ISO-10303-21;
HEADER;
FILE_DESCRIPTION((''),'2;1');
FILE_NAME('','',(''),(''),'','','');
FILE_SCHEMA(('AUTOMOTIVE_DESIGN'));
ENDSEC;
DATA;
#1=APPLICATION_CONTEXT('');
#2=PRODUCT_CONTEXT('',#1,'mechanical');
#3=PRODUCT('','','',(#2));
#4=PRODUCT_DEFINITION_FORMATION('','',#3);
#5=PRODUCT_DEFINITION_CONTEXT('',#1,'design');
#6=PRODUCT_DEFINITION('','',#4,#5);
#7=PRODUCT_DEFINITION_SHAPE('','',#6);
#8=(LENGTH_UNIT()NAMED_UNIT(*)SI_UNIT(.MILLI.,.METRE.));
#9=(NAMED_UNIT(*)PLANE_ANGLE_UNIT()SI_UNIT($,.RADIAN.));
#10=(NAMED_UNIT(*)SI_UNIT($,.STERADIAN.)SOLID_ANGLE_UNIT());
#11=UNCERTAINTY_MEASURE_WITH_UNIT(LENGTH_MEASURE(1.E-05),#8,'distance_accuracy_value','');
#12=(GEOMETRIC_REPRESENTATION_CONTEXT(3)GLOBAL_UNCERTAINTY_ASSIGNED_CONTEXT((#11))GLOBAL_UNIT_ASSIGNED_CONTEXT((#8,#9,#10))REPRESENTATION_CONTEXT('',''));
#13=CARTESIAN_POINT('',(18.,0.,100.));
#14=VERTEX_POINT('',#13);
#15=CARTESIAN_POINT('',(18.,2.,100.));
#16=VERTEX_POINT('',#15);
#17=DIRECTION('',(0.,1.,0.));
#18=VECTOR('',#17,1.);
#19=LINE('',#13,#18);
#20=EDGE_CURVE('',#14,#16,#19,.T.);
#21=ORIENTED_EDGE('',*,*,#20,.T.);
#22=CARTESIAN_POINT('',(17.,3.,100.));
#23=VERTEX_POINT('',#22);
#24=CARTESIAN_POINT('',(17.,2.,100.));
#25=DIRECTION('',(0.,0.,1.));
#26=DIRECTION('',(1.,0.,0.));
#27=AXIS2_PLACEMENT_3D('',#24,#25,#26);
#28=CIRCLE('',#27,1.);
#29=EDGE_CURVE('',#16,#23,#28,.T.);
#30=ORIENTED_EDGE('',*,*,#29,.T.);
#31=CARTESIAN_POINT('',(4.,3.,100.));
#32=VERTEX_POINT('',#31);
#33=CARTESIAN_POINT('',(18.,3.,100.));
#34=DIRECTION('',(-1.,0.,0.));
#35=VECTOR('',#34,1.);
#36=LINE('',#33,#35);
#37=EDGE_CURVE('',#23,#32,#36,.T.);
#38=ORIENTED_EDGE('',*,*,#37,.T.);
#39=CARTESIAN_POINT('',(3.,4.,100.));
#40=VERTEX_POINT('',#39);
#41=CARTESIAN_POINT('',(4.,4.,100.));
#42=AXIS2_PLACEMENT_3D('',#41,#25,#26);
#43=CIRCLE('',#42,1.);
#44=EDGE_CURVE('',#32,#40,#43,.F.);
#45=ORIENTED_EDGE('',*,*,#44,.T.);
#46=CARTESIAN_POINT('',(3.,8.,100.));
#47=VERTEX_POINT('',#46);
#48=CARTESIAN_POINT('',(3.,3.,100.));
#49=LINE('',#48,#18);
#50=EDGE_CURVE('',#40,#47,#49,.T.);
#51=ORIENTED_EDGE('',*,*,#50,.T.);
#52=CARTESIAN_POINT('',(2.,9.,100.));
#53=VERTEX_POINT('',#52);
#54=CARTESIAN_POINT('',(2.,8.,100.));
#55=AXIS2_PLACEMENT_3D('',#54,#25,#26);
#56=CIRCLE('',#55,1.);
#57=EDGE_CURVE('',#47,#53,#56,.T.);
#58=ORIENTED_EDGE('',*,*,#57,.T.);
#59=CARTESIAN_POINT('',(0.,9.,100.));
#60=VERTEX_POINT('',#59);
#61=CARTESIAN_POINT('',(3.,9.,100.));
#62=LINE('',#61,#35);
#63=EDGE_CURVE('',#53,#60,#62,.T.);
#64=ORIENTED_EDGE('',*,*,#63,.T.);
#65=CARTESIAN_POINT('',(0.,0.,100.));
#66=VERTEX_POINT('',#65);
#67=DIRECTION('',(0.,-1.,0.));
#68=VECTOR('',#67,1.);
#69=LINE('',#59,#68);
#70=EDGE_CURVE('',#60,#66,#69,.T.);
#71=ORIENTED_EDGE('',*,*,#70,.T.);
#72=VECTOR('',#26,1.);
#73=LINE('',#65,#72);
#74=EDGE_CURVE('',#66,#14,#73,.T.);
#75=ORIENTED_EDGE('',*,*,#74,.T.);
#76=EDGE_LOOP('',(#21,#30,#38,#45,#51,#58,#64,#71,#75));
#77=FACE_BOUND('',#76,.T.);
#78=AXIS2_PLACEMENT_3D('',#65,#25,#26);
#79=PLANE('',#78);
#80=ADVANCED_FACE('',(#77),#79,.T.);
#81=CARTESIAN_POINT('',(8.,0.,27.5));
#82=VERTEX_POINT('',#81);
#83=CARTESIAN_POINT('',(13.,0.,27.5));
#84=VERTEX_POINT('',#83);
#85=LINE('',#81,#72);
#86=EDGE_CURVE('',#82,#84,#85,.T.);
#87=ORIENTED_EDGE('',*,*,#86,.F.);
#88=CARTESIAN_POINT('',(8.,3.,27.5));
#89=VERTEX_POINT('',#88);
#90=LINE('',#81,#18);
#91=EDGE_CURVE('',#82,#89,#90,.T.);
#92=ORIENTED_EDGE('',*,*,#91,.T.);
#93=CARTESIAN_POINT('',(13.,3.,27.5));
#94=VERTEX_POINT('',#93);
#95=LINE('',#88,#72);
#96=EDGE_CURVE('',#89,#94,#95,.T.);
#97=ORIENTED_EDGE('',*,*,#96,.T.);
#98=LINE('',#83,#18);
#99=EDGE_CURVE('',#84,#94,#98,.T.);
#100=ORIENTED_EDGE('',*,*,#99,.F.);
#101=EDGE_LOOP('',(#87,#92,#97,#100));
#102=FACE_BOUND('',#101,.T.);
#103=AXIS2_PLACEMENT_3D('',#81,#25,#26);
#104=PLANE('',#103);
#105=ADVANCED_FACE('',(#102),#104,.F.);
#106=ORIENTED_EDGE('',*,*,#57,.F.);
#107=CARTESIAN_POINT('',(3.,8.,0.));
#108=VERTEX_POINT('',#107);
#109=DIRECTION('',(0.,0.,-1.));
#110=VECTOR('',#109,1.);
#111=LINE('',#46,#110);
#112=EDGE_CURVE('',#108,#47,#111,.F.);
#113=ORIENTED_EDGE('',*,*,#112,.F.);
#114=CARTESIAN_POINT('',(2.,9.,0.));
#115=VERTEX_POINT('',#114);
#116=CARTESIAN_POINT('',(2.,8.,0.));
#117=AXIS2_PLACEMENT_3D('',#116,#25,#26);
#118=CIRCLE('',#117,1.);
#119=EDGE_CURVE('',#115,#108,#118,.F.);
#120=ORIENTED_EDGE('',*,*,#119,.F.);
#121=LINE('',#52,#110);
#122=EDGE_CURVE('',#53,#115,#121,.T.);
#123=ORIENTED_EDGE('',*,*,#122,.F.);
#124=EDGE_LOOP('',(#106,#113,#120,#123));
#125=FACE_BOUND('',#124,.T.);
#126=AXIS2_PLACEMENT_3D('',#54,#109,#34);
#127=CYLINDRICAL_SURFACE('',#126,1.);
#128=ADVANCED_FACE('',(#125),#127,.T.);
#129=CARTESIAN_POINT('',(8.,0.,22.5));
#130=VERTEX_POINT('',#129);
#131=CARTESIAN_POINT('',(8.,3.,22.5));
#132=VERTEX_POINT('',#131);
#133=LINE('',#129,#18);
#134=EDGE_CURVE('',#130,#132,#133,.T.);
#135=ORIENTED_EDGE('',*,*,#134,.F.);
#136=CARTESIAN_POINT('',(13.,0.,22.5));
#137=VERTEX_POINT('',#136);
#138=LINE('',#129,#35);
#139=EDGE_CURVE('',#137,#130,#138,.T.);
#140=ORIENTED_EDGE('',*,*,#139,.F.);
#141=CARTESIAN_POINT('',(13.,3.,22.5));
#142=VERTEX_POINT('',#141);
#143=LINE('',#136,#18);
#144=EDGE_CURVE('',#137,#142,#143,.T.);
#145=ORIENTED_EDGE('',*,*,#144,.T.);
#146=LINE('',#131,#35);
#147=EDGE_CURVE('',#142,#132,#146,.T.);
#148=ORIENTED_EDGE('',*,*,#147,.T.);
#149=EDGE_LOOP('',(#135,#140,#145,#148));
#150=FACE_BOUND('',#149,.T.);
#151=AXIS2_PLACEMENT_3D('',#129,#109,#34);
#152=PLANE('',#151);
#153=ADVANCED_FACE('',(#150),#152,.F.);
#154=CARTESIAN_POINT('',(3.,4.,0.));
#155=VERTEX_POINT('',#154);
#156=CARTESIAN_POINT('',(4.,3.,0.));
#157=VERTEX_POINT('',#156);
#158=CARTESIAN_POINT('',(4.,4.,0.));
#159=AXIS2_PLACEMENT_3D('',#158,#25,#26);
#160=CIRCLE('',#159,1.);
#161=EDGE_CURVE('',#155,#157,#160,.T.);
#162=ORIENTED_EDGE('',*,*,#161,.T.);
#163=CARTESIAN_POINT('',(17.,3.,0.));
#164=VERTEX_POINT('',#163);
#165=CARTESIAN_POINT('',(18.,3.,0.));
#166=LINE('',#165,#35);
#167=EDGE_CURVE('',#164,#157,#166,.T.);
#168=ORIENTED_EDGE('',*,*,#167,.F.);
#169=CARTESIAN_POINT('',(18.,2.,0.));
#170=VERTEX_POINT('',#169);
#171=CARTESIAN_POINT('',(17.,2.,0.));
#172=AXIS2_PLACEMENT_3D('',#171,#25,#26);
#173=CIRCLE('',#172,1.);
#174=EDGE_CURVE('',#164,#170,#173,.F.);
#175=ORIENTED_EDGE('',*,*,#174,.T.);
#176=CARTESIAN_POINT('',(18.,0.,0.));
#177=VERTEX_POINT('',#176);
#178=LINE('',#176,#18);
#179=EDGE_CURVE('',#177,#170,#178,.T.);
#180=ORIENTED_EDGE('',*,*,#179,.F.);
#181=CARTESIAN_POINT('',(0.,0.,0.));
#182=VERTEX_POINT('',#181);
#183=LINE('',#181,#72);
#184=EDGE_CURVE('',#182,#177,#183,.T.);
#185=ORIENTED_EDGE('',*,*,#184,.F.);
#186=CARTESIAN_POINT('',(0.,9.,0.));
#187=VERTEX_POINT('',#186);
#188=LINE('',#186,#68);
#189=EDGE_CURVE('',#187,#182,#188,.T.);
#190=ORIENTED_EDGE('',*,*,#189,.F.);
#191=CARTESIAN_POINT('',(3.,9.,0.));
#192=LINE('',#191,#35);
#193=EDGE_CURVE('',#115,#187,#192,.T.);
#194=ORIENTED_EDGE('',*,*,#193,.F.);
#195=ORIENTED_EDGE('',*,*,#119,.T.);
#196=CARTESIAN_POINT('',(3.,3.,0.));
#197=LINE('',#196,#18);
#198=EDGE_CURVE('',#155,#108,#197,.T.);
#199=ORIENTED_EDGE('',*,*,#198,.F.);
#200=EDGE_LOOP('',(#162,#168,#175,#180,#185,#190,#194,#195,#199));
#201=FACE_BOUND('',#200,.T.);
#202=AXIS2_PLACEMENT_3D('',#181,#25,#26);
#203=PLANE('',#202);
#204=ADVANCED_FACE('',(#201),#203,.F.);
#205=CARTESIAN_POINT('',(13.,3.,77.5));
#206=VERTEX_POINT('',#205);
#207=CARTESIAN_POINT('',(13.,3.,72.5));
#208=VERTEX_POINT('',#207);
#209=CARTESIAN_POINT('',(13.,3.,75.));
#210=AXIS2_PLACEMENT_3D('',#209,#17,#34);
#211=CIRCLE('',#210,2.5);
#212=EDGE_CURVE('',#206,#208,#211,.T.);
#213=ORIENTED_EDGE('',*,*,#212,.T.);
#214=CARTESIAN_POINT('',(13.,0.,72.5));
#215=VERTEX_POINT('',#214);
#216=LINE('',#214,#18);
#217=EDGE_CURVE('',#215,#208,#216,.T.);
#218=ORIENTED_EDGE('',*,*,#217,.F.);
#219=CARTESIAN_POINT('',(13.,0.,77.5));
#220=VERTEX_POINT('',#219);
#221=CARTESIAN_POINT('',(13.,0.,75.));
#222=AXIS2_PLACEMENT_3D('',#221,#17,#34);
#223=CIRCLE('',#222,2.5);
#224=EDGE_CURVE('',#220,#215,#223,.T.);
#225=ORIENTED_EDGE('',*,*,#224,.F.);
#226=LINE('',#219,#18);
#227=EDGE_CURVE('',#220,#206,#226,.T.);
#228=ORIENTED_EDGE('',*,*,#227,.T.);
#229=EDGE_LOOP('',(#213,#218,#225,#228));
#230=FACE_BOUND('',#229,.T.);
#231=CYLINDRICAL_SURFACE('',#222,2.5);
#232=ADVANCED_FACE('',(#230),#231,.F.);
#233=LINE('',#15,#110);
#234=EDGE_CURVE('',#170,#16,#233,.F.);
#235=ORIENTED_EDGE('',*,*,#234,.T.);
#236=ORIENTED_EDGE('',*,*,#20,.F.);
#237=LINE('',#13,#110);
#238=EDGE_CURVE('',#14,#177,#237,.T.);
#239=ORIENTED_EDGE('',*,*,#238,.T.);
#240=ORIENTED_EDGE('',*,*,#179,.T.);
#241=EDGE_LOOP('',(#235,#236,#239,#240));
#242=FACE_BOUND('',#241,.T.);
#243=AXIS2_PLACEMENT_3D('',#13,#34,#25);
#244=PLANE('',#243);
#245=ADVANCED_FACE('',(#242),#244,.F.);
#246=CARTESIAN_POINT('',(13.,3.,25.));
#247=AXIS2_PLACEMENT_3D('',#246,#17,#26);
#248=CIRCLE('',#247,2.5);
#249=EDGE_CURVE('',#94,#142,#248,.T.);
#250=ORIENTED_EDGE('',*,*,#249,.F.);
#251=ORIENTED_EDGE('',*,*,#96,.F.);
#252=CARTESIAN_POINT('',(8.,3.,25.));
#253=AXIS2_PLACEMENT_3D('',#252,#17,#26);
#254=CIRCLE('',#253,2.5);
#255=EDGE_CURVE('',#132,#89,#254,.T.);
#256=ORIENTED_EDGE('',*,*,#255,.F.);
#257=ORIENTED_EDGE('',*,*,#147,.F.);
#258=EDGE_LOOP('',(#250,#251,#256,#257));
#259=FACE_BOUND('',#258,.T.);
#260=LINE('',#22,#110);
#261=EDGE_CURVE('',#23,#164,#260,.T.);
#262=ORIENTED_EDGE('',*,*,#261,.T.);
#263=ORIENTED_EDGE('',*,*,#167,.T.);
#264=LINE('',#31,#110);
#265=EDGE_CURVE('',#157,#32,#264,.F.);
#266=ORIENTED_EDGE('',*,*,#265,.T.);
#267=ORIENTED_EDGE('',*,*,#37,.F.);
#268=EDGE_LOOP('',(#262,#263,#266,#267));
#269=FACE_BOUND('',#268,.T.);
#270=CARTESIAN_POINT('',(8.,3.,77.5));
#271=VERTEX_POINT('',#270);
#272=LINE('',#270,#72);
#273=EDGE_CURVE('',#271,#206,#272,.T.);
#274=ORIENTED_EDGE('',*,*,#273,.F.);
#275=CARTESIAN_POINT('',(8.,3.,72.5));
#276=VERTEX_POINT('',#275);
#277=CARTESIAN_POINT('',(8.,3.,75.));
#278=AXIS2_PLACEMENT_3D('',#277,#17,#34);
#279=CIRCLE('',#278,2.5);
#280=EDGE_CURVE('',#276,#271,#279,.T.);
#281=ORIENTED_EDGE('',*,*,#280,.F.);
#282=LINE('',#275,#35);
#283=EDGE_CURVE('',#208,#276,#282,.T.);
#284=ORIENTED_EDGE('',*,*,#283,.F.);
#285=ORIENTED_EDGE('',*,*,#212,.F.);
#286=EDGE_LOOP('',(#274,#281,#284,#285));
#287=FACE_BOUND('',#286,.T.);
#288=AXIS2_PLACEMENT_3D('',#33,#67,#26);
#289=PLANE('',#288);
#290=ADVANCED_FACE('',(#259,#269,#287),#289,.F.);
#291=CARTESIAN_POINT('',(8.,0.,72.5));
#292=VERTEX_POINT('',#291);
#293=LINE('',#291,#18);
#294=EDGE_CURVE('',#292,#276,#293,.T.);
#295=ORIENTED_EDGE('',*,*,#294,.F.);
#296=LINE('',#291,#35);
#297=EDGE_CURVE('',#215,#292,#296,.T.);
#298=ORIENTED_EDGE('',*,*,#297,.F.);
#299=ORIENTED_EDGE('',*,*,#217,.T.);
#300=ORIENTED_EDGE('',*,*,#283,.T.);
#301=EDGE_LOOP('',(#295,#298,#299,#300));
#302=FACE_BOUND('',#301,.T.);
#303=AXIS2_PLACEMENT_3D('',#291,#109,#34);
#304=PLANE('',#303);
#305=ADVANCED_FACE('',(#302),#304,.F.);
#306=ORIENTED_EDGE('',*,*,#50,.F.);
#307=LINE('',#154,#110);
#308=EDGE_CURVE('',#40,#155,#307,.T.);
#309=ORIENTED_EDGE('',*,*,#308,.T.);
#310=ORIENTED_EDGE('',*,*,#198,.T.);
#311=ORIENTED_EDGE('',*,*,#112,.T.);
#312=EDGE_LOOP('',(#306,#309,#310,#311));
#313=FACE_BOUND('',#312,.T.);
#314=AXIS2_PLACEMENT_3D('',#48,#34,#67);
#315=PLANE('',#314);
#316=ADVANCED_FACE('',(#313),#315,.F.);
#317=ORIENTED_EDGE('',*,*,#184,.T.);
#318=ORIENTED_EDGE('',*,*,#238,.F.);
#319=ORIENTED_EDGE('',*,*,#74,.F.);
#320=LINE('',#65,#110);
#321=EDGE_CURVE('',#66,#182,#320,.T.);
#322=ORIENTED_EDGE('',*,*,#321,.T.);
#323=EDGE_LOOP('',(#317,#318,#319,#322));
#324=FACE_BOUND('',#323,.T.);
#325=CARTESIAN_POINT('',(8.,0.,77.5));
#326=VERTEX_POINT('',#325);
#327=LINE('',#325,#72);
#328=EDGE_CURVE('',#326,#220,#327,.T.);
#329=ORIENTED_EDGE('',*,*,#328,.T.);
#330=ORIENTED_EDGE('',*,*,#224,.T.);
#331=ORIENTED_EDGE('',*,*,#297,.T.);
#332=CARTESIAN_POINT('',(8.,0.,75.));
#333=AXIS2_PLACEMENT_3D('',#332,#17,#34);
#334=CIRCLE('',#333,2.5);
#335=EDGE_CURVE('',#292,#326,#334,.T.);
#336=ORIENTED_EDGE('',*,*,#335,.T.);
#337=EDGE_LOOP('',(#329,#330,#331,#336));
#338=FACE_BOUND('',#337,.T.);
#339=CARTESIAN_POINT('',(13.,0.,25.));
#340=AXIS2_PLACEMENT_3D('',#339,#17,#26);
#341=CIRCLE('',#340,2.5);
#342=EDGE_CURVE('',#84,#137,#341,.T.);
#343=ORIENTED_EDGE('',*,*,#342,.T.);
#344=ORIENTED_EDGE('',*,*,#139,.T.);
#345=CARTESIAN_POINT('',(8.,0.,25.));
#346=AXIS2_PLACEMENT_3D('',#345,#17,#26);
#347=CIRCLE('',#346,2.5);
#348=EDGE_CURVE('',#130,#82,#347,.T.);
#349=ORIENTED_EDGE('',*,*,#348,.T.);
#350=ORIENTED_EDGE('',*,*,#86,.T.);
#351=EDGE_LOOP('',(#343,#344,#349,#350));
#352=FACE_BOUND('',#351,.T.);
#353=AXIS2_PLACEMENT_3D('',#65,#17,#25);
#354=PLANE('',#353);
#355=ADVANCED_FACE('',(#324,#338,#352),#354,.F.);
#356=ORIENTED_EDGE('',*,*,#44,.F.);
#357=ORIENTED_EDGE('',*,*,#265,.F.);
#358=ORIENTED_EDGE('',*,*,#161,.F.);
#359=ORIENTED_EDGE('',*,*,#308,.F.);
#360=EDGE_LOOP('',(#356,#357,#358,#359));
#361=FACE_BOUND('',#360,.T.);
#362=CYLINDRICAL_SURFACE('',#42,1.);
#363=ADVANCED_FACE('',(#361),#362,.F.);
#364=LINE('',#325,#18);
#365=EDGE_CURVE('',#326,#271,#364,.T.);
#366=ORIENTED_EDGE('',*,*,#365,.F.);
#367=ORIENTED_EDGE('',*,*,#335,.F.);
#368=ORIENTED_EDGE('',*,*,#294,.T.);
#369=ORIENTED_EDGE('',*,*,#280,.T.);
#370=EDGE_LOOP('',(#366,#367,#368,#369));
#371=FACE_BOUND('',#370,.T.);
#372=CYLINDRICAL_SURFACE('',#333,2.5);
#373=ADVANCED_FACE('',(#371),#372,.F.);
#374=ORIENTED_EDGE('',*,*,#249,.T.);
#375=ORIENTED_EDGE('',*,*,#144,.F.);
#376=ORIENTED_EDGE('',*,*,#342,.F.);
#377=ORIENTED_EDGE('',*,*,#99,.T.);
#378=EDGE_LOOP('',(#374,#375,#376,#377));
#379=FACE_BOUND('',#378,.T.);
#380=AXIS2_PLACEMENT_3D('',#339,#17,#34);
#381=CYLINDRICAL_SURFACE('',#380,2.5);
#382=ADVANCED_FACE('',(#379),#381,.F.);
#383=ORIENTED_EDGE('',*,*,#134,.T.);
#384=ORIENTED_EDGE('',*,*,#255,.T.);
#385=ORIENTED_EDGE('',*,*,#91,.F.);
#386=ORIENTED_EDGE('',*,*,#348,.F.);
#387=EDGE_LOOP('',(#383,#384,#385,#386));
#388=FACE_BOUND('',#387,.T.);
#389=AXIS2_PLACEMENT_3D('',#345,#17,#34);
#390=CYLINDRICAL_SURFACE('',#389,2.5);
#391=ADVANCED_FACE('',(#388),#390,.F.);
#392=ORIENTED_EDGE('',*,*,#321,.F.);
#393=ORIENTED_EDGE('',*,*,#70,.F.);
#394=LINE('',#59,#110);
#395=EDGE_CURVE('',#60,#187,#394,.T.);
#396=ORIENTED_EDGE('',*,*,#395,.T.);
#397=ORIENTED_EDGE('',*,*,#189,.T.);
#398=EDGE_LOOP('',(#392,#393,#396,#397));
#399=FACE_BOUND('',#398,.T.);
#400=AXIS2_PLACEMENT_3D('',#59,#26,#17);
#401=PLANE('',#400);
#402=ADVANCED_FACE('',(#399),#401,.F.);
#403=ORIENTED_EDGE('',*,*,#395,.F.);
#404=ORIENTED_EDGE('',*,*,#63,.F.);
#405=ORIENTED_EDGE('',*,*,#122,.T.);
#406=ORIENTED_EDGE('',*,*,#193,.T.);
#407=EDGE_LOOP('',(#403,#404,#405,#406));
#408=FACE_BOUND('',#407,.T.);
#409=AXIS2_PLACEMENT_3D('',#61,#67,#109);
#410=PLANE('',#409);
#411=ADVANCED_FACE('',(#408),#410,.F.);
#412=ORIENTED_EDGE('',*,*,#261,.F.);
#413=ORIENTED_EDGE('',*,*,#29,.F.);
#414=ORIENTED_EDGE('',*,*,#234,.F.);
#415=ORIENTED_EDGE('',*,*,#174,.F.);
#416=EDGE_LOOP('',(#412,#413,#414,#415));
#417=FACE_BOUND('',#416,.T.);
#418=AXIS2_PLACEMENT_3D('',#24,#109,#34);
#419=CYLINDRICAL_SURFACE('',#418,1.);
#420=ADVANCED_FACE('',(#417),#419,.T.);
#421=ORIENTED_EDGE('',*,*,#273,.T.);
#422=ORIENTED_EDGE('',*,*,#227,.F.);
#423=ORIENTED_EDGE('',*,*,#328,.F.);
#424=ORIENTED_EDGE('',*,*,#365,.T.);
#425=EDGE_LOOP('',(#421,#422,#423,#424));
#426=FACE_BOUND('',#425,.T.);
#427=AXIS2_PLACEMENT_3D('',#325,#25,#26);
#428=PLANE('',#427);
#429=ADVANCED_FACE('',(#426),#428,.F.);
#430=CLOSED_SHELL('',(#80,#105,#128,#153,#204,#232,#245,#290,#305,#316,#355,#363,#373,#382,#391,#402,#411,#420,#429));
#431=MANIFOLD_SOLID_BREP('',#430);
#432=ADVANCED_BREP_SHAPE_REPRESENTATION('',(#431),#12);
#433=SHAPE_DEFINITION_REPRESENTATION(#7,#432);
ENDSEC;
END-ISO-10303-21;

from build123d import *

# Parameters (mm, degrees)
BOSS_EXTRUDE1_DEPTH = 100
FILLET1_R           = 1
SKETCH2_R           = 2.5
CUT_EXTRUDE1_DEPTH  = 102.7840852
CUT_EXTRUDE2_DEPTH  = 102.7840852


with BuildPart() as part:
    # Sketch1 → Boss-Extrude1 (new body)
    with BuildSketch(Plane.XY):
        Polygon((0, 0), (18, 0), (18, 3), (3, 3), (3, 9), (0, 9), align=None)
    extrude(amount=BOSS_EXTRUDE1_DEPTH)

    # Fillet1
    fillet1_edges = [part.edges().sort_by_distance(p)[0] for p in [
        (3, 9, 50),
        (3, 3, 50),
        (18, 3, 50),
    ]]
    fillet(fillet1_edges, radius=FILLET1_R)

    # Sketch2 → Cut-Extrude1 (cut, through all)
    with BuildSketch(Plane(origin=(0, 3, 0), x_dir=(1, 0, 0), z_dir=(0, 1, 0))):
        with Locations(Location((10.5, -25, 0), (0, 0, 180))):
            Circle(SKETCH2_R)
        with Locations(Location((10.5, -75, 0), (0, 0, 180))):
            Circle(SKETCH2_R)
    extrude(amount=-CUT_EXTRUDE1_DEPTH, mode=Mode.SUBTRACT)

    # Sketch3 → Cut-Extrude2 (cut, through all)
    with BuildSketch(Plane(origin=(0, 3, 0), x_dir=(1, 0, 0), z_dir=(0, 1, 0))):
        with BuildLine():
            Line((8, -72.5), (13, -72.5))
            ThreePointArc((13, -72.5), (15.5, -75), (13, -77.5))
            Line((13, -77.5), (8, -77.5))
            ThreePointArc((8, -77.5), (5.5, -75), (8, -72.5))
        make_face()
        with BuildLine():
            Line((8, -27.5), (13, -27.5))
            ThreePointArc((13, -27.5), (15.5, -25), (13, -22.5))
            Line((13, -22.5), (8, -22.5))
            ThreePointArc((8, -22.5), (5.5, -25), (8, -27.5))
        make_face()
    extrude(amount=-CUT_EXTRUDE2_DEPTH, mode=Mode.SUBTRACT)


solid = part.part
